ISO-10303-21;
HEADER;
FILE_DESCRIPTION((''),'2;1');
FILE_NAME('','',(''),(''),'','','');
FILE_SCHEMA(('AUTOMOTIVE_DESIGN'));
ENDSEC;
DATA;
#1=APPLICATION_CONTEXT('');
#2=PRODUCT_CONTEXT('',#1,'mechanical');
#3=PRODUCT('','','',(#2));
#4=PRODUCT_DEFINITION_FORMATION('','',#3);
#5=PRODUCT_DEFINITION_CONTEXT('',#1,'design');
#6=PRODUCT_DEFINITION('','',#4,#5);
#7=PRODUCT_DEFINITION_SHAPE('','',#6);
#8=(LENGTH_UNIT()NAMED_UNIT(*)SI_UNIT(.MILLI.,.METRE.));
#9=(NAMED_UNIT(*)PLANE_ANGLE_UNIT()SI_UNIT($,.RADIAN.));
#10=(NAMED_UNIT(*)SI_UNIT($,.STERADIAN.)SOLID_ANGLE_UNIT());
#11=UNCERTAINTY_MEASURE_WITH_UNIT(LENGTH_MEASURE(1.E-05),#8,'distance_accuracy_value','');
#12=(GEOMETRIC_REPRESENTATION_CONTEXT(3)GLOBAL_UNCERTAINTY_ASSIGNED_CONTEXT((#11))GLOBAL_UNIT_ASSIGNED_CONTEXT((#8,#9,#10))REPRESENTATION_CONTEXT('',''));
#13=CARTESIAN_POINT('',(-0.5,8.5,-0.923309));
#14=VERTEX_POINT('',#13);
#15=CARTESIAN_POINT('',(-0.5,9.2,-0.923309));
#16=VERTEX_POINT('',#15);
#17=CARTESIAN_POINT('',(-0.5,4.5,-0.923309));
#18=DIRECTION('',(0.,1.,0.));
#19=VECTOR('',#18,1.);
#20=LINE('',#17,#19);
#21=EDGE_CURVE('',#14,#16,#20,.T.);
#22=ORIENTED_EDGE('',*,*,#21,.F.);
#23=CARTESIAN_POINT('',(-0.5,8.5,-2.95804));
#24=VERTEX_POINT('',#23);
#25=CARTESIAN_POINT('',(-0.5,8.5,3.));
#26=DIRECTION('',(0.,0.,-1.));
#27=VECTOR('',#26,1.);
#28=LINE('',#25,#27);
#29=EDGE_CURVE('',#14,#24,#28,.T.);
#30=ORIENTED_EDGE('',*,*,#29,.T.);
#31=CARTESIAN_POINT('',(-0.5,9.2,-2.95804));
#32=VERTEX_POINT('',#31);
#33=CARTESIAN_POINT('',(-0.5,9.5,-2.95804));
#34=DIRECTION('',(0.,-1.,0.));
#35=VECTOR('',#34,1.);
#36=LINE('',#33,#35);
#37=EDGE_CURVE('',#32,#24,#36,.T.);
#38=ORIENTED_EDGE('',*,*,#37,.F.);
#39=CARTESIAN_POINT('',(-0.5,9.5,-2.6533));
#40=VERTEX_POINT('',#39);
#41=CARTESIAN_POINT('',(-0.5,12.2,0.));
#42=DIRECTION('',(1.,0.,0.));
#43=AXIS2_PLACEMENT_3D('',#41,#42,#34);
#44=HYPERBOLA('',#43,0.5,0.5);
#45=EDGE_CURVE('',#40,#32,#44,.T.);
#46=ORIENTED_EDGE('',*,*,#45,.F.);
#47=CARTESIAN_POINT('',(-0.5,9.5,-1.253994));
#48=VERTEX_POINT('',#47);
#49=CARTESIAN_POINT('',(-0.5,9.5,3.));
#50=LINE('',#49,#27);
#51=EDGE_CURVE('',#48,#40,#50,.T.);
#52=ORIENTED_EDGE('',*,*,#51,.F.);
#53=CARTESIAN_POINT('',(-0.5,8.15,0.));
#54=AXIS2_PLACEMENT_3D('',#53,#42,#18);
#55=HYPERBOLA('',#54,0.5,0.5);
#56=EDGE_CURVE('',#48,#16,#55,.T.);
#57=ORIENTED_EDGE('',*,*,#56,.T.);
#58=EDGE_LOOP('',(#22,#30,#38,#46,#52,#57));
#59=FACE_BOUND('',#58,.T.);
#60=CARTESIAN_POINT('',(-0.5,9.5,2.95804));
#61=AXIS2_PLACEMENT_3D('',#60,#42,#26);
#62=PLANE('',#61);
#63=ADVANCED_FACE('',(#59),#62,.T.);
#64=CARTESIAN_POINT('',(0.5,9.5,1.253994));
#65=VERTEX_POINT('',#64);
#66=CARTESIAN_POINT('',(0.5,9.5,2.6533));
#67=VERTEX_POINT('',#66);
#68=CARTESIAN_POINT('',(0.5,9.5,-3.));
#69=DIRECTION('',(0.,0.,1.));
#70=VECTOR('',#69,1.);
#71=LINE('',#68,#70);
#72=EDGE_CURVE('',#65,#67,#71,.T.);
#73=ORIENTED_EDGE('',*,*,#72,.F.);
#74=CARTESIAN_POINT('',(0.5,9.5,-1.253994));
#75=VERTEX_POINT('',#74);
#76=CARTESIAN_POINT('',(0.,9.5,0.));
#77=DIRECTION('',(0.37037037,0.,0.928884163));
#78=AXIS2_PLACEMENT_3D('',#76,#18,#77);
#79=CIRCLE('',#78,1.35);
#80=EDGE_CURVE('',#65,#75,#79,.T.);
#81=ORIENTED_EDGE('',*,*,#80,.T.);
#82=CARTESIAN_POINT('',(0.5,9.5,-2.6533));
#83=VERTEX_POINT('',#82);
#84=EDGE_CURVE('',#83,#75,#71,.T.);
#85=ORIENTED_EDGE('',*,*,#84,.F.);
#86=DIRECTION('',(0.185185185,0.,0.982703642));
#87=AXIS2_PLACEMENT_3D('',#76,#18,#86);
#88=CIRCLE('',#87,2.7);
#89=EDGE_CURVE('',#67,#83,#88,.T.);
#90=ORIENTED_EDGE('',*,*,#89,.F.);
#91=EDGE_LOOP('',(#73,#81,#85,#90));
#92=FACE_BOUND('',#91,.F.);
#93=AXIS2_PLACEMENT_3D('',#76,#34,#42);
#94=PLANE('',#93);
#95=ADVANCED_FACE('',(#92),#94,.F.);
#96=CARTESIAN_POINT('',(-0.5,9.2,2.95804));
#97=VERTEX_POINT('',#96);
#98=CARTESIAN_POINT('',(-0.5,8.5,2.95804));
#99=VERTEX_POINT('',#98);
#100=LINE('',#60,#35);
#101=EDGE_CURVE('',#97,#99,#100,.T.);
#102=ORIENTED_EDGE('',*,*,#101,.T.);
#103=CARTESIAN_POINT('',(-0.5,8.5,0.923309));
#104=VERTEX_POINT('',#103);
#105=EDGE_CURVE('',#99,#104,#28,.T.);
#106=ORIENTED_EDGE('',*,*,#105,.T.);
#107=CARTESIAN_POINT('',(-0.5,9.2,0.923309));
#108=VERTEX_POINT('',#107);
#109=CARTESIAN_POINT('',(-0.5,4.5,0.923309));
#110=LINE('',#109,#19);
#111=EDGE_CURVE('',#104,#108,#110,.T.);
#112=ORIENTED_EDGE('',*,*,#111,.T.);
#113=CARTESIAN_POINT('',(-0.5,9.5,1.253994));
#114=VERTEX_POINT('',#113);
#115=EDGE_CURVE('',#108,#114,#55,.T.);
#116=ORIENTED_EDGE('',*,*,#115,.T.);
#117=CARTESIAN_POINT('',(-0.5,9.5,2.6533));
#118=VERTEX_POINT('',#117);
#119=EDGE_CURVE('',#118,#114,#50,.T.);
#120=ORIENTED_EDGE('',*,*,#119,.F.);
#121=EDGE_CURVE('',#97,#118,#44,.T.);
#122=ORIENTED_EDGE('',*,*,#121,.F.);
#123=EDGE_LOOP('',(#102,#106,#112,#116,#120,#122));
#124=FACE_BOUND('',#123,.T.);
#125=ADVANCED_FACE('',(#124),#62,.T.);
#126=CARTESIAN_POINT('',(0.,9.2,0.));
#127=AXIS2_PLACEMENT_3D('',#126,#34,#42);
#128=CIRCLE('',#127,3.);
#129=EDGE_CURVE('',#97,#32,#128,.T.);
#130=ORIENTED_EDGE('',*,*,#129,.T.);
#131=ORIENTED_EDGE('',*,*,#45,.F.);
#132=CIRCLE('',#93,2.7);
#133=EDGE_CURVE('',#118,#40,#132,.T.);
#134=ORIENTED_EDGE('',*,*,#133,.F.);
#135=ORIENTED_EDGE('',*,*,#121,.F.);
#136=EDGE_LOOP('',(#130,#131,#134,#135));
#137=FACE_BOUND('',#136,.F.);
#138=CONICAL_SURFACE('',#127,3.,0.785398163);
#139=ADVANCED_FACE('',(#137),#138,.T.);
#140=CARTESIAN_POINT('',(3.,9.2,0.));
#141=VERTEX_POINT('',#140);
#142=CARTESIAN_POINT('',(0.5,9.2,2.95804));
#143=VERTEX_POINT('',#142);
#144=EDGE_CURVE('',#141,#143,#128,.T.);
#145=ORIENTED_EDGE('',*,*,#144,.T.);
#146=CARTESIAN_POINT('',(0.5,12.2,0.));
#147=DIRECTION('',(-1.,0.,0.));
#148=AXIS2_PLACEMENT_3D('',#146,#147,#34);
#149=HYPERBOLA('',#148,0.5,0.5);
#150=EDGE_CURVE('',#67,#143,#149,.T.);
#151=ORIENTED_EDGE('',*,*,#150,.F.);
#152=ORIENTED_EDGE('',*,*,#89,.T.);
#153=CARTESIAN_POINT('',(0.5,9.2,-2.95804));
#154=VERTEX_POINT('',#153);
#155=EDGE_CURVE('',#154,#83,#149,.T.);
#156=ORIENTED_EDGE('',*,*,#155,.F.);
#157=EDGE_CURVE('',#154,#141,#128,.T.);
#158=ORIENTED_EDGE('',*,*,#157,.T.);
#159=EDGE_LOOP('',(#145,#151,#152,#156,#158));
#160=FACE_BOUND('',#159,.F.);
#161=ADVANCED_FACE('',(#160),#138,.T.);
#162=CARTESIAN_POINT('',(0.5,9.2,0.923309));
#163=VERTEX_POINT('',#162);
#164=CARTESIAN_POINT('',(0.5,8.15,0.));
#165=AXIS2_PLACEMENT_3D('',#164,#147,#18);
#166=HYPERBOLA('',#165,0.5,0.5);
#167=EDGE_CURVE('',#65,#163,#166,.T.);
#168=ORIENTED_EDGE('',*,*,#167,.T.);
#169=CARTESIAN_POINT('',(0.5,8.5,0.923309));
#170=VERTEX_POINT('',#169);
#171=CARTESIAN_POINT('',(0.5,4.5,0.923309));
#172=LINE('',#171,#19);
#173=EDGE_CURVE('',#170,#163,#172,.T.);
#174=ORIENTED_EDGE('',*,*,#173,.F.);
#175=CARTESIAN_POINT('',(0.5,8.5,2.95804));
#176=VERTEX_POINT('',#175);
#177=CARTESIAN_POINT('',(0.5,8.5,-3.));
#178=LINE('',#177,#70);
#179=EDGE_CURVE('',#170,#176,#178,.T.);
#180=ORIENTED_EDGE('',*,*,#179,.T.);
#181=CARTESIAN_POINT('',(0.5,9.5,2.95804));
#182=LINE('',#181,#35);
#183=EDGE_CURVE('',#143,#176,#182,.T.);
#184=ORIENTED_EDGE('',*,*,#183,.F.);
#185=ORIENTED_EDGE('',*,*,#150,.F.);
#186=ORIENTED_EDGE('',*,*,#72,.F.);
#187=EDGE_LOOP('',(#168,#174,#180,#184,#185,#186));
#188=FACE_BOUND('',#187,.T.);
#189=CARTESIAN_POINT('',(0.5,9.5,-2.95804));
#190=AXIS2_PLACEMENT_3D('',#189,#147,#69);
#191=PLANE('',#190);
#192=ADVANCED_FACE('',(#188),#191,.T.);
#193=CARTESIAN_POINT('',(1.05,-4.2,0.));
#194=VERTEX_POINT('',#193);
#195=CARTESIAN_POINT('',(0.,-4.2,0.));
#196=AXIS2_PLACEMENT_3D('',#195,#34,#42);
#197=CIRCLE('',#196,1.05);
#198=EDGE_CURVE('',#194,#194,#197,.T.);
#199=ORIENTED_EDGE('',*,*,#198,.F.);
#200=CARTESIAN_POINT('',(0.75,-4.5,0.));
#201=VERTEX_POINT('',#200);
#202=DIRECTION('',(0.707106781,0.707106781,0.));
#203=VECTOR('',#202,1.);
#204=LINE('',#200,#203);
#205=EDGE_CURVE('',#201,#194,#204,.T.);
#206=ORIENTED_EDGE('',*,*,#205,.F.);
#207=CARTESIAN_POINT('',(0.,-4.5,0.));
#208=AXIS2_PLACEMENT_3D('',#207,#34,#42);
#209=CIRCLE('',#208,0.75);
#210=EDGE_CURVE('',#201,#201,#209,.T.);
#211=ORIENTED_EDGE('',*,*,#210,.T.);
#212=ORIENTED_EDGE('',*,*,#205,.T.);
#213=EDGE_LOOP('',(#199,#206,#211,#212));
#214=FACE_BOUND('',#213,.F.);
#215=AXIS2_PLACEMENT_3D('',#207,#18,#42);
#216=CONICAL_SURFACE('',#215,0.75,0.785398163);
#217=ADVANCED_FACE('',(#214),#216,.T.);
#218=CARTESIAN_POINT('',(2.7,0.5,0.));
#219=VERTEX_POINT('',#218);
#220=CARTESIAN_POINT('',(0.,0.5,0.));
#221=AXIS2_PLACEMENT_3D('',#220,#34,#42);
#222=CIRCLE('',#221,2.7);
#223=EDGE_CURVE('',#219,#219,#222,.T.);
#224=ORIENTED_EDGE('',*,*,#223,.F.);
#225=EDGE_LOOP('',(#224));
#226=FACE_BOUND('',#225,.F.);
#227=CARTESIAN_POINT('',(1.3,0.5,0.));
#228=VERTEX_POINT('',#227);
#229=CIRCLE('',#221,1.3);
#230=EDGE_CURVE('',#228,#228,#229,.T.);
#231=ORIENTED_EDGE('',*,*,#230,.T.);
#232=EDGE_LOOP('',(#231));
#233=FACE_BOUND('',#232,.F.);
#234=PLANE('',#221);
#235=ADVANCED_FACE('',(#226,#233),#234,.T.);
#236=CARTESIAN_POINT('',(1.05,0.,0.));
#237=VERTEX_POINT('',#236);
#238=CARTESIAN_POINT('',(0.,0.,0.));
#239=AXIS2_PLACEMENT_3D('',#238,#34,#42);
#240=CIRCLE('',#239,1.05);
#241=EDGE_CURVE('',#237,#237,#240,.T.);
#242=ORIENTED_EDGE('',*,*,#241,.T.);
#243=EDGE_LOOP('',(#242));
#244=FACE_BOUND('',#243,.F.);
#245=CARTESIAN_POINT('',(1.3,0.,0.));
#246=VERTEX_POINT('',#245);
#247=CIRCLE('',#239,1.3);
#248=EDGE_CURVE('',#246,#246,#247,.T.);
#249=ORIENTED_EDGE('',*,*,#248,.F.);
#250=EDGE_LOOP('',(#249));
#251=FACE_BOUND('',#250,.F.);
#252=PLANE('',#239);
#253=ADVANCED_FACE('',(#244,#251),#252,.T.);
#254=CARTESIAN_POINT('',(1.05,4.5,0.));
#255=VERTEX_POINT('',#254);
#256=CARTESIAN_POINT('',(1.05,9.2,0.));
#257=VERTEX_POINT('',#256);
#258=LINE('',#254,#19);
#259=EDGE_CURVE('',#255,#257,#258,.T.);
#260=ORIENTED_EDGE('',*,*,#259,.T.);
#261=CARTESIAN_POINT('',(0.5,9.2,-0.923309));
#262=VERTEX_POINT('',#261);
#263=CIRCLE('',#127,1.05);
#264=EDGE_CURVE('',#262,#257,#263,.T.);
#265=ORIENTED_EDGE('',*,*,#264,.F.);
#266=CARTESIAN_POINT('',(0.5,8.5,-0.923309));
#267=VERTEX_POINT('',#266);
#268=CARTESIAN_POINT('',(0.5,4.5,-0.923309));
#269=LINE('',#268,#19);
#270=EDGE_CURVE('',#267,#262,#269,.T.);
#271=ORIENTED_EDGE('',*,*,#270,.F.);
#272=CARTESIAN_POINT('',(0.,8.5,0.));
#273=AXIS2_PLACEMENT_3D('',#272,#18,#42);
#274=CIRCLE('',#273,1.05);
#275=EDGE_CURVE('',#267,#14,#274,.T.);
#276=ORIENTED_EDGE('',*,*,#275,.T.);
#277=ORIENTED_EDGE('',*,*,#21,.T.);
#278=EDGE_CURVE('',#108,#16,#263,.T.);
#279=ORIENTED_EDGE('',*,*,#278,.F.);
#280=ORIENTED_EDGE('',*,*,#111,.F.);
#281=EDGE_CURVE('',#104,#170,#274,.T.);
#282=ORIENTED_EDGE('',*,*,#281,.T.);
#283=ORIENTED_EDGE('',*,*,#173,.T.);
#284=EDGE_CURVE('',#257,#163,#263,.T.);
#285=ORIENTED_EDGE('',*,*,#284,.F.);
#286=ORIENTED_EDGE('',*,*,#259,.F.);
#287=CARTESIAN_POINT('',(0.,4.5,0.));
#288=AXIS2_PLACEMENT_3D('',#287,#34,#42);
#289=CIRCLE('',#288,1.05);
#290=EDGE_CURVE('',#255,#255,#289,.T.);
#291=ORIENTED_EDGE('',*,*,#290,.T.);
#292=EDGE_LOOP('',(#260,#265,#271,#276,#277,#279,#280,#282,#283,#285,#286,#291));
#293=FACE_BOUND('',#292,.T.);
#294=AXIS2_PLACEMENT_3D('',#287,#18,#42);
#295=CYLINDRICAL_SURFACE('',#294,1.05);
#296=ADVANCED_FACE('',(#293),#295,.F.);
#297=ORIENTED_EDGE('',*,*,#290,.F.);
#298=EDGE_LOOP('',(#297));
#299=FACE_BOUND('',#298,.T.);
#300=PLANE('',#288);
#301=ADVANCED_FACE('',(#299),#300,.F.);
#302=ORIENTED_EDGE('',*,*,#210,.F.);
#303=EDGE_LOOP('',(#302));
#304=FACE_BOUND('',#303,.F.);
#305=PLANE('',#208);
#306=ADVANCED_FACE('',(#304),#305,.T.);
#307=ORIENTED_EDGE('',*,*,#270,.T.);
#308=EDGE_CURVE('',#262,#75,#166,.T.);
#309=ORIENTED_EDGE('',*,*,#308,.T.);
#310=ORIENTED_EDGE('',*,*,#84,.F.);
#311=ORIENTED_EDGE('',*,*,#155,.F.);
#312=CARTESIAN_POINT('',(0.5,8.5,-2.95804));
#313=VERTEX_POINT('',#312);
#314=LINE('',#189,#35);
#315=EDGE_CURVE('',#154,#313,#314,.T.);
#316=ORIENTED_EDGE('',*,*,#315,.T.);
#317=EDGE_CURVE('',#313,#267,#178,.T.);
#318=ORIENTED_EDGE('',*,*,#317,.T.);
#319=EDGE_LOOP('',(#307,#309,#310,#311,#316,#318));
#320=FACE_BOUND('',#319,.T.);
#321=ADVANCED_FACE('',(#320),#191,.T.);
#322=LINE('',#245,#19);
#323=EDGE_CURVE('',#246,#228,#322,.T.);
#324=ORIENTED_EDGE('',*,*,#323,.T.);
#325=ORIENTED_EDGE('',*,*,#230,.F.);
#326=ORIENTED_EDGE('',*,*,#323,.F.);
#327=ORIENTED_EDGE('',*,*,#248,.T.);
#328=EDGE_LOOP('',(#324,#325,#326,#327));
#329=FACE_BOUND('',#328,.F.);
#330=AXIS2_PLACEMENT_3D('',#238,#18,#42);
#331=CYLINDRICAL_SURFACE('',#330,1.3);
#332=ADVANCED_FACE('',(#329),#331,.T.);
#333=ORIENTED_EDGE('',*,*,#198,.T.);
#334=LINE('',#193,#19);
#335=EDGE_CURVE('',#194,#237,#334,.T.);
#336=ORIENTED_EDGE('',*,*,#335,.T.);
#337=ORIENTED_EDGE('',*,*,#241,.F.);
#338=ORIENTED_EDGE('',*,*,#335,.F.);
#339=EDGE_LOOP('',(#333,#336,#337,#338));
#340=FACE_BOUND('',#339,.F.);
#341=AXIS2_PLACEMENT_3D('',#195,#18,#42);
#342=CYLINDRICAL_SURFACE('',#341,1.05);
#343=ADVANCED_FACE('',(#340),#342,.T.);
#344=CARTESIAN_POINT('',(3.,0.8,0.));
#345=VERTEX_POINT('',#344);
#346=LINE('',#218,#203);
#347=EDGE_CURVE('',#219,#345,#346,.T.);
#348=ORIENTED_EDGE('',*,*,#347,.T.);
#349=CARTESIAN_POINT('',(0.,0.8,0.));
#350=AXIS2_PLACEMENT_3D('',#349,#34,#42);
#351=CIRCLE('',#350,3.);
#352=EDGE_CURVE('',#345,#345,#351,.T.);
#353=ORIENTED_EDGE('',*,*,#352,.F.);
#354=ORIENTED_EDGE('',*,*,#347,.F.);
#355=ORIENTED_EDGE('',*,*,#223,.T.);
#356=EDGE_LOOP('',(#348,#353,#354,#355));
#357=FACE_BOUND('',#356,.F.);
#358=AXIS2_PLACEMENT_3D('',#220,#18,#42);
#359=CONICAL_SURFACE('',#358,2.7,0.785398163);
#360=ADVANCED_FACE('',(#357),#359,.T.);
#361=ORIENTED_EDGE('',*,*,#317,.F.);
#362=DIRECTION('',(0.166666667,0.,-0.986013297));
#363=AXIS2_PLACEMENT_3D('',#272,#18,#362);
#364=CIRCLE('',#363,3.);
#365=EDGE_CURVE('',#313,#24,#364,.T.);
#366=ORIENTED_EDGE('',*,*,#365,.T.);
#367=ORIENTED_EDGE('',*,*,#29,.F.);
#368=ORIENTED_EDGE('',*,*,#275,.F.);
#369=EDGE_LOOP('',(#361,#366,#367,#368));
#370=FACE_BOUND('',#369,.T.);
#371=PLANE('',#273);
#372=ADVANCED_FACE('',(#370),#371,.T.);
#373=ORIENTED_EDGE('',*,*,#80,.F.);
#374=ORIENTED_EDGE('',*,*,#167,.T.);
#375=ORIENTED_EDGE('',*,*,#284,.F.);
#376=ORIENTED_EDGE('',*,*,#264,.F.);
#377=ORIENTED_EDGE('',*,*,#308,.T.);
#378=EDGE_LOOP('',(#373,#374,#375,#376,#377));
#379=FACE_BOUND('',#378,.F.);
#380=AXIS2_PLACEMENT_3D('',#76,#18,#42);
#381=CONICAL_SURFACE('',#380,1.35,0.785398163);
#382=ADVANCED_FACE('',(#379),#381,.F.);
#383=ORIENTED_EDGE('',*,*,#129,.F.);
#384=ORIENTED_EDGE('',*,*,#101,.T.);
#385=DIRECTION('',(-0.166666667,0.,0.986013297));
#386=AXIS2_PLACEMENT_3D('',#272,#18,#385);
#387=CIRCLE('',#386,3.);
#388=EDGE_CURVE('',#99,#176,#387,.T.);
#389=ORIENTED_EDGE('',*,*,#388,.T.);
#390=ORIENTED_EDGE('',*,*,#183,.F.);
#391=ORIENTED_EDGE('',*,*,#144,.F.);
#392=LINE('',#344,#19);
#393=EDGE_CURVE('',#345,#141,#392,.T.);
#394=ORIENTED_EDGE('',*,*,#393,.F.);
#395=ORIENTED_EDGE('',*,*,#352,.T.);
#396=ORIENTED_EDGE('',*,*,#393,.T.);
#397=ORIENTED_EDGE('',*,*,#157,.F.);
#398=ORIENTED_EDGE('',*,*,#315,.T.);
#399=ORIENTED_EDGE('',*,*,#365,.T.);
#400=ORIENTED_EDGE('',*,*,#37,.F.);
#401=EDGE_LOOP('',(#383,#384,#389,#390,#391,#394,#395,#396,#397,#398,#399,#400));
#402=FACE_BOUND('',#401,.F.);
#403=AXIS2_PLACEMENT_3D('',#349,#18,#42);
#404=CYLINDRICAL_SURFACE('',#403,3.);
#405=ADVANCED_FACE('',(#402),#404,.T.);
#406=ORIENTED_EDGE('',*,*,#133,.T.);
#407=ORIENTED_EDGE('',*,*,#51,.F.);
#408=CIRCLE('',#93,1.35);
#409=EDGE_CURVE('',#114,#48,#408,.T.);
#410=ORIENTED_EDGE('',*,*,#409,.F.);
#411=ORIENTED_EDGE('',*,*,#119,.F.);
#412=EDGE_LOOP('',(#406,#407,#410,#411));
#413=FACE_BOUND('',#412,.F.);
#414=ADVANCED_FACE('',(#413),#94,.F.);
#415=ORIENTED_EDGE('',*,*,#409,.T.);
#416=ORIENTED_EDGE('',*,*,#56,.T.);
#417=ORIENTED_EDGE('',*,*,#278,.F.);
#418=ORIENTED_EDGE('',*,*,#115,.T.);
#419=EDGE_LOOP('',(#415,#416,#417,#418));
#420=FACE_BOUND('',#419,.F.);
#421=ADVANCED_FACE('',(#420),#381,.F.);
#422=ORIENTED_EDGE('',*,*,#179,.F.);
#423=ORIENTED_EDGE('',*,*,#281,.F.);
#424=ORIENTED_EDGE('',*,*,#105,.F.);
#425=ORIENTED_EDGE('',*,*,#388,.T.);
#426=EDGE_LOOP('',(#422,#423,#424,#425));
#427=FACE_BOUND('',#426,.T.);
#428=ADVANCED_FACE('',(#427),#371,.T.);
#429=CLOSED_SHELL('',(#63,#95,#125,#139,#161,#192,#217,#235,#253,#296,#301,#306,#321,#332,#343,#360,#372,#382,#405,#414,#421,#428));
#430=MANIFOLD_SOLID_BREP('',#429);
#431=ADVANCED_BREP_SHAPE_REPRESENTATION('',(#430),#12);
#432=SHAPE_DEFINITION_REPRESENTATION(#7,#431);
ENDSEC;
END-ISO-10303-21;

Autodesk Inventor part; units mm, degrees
ref_plane "YZ Plane" through (0, 0, 0) normal (1, 0, 0) x (0, 1, 0)
ref_plane "XZ Plane" through (0, 0, 0) normal (0, 1, 0) x (-1, 0, 0)
ref_plane "XY Plane" through (0, 0, 0) normal (0, 0, 1) x (1, 0, 0)
sketch "スケッチ1" plane through (0, 0, 0) normal (0, 0, 1) x (1, 0, 0)
  line L0 (0, -4.5) -> (0.75, -4.5)
  line L1 (0.75, -4.5) -> (1.05, -4.2)
  line L2 (1.05, -4.2) -> (1.05, 0)
  line L3 (1.05, 0) -> (1.3, 0)
  line L4 (1.3, 0) -> (1.3, 0.5)
  line L5 (1.3, 0.5) -> (2.7, 0.5)
  line L6 (3, 9.2) -> (2.7, 9.5)
  line L7 (2.7, 9.5) -> (1.35, 9.5)
  line L8 (1.35, 9.5) -> (1.05, 9.2)
  line L9 (0, 7.4044) -> (0, -7.4044) construction
  line L10 (0, -4.5) -> (0, 4.5)
  line L11 (0, 4.5) -> (1.05, 4.5)
  line L12 (1.05, 4.5) -> (1.05, 9.2)
  line L13 (2.7, 0.5) -> (3, 0.8)
  line L14 (3, 0.8) -> (3, 9.2)
  point P0 (0, 0)
  point P1 (0, 0)
  point P2 (0, 0)
  dimension "d0" = 2.1
  dimension "d1" = 5
  dimension "d2" = 0.3
  dimension "d3" = 0.3
  dimension "d4" = 2.6
  dimension "d5" = 0.5
  dimension "d6" = 9
  dimension "d7" = 0.3
  dimension "d8" = 2.1
  dimension "d9" = 5
  dimension "d10" = 0.3
  dimension "d11" = 0.3
  dimension "d12" = 0.3
  dimension "d13" = 0.3
  dimension "d14" = 6
revolve "回転1" add sketch "スケッチ1" angle 360 about axis through (0, 7.4044, 0) along (0, -1, 0)
sketch "スケッチ2" plane through (0, 9.5, 0) normal (0, 1, 0) x (1, 0, 0)
  line L0 (-0.5, 3) -> (0.5, 3)
  line L1 (0.5, 3) -> (0.5, -3)
  line L2 (0.5, -3) -> (-0.5, -3)
  line L3 (-0.5, -3) -> (-0.5, 3)
  line L4 (-0.5, 3) -> (0.5, -3) construction
  line L5 (0.5, 3) -> (-0.5, -3) construction
  circle A0 centre (0, 0) radius 3 projected
  point P0 (0, 0)
  point P1 (0.5, 2.958)
  point P2 (-0.5, 2.958)
  point P3 (-0.5, -2.958)
  point P4 (0.5, -2.958)
  dimension "d16" = 1
extrude "押し出し1" cut sketch "スケッチ2" against normal blind 1 contours A0 L1 L3
equation "\"d3\" = d2"
equation "\"d10\" = d7"
equation "\"d11\" = d7"
equation "\"d12\" = d11"
equation "\"d13\" = d12"
properties part number "BRU-2609S" material "ステンレス鋼 AISI 304"
